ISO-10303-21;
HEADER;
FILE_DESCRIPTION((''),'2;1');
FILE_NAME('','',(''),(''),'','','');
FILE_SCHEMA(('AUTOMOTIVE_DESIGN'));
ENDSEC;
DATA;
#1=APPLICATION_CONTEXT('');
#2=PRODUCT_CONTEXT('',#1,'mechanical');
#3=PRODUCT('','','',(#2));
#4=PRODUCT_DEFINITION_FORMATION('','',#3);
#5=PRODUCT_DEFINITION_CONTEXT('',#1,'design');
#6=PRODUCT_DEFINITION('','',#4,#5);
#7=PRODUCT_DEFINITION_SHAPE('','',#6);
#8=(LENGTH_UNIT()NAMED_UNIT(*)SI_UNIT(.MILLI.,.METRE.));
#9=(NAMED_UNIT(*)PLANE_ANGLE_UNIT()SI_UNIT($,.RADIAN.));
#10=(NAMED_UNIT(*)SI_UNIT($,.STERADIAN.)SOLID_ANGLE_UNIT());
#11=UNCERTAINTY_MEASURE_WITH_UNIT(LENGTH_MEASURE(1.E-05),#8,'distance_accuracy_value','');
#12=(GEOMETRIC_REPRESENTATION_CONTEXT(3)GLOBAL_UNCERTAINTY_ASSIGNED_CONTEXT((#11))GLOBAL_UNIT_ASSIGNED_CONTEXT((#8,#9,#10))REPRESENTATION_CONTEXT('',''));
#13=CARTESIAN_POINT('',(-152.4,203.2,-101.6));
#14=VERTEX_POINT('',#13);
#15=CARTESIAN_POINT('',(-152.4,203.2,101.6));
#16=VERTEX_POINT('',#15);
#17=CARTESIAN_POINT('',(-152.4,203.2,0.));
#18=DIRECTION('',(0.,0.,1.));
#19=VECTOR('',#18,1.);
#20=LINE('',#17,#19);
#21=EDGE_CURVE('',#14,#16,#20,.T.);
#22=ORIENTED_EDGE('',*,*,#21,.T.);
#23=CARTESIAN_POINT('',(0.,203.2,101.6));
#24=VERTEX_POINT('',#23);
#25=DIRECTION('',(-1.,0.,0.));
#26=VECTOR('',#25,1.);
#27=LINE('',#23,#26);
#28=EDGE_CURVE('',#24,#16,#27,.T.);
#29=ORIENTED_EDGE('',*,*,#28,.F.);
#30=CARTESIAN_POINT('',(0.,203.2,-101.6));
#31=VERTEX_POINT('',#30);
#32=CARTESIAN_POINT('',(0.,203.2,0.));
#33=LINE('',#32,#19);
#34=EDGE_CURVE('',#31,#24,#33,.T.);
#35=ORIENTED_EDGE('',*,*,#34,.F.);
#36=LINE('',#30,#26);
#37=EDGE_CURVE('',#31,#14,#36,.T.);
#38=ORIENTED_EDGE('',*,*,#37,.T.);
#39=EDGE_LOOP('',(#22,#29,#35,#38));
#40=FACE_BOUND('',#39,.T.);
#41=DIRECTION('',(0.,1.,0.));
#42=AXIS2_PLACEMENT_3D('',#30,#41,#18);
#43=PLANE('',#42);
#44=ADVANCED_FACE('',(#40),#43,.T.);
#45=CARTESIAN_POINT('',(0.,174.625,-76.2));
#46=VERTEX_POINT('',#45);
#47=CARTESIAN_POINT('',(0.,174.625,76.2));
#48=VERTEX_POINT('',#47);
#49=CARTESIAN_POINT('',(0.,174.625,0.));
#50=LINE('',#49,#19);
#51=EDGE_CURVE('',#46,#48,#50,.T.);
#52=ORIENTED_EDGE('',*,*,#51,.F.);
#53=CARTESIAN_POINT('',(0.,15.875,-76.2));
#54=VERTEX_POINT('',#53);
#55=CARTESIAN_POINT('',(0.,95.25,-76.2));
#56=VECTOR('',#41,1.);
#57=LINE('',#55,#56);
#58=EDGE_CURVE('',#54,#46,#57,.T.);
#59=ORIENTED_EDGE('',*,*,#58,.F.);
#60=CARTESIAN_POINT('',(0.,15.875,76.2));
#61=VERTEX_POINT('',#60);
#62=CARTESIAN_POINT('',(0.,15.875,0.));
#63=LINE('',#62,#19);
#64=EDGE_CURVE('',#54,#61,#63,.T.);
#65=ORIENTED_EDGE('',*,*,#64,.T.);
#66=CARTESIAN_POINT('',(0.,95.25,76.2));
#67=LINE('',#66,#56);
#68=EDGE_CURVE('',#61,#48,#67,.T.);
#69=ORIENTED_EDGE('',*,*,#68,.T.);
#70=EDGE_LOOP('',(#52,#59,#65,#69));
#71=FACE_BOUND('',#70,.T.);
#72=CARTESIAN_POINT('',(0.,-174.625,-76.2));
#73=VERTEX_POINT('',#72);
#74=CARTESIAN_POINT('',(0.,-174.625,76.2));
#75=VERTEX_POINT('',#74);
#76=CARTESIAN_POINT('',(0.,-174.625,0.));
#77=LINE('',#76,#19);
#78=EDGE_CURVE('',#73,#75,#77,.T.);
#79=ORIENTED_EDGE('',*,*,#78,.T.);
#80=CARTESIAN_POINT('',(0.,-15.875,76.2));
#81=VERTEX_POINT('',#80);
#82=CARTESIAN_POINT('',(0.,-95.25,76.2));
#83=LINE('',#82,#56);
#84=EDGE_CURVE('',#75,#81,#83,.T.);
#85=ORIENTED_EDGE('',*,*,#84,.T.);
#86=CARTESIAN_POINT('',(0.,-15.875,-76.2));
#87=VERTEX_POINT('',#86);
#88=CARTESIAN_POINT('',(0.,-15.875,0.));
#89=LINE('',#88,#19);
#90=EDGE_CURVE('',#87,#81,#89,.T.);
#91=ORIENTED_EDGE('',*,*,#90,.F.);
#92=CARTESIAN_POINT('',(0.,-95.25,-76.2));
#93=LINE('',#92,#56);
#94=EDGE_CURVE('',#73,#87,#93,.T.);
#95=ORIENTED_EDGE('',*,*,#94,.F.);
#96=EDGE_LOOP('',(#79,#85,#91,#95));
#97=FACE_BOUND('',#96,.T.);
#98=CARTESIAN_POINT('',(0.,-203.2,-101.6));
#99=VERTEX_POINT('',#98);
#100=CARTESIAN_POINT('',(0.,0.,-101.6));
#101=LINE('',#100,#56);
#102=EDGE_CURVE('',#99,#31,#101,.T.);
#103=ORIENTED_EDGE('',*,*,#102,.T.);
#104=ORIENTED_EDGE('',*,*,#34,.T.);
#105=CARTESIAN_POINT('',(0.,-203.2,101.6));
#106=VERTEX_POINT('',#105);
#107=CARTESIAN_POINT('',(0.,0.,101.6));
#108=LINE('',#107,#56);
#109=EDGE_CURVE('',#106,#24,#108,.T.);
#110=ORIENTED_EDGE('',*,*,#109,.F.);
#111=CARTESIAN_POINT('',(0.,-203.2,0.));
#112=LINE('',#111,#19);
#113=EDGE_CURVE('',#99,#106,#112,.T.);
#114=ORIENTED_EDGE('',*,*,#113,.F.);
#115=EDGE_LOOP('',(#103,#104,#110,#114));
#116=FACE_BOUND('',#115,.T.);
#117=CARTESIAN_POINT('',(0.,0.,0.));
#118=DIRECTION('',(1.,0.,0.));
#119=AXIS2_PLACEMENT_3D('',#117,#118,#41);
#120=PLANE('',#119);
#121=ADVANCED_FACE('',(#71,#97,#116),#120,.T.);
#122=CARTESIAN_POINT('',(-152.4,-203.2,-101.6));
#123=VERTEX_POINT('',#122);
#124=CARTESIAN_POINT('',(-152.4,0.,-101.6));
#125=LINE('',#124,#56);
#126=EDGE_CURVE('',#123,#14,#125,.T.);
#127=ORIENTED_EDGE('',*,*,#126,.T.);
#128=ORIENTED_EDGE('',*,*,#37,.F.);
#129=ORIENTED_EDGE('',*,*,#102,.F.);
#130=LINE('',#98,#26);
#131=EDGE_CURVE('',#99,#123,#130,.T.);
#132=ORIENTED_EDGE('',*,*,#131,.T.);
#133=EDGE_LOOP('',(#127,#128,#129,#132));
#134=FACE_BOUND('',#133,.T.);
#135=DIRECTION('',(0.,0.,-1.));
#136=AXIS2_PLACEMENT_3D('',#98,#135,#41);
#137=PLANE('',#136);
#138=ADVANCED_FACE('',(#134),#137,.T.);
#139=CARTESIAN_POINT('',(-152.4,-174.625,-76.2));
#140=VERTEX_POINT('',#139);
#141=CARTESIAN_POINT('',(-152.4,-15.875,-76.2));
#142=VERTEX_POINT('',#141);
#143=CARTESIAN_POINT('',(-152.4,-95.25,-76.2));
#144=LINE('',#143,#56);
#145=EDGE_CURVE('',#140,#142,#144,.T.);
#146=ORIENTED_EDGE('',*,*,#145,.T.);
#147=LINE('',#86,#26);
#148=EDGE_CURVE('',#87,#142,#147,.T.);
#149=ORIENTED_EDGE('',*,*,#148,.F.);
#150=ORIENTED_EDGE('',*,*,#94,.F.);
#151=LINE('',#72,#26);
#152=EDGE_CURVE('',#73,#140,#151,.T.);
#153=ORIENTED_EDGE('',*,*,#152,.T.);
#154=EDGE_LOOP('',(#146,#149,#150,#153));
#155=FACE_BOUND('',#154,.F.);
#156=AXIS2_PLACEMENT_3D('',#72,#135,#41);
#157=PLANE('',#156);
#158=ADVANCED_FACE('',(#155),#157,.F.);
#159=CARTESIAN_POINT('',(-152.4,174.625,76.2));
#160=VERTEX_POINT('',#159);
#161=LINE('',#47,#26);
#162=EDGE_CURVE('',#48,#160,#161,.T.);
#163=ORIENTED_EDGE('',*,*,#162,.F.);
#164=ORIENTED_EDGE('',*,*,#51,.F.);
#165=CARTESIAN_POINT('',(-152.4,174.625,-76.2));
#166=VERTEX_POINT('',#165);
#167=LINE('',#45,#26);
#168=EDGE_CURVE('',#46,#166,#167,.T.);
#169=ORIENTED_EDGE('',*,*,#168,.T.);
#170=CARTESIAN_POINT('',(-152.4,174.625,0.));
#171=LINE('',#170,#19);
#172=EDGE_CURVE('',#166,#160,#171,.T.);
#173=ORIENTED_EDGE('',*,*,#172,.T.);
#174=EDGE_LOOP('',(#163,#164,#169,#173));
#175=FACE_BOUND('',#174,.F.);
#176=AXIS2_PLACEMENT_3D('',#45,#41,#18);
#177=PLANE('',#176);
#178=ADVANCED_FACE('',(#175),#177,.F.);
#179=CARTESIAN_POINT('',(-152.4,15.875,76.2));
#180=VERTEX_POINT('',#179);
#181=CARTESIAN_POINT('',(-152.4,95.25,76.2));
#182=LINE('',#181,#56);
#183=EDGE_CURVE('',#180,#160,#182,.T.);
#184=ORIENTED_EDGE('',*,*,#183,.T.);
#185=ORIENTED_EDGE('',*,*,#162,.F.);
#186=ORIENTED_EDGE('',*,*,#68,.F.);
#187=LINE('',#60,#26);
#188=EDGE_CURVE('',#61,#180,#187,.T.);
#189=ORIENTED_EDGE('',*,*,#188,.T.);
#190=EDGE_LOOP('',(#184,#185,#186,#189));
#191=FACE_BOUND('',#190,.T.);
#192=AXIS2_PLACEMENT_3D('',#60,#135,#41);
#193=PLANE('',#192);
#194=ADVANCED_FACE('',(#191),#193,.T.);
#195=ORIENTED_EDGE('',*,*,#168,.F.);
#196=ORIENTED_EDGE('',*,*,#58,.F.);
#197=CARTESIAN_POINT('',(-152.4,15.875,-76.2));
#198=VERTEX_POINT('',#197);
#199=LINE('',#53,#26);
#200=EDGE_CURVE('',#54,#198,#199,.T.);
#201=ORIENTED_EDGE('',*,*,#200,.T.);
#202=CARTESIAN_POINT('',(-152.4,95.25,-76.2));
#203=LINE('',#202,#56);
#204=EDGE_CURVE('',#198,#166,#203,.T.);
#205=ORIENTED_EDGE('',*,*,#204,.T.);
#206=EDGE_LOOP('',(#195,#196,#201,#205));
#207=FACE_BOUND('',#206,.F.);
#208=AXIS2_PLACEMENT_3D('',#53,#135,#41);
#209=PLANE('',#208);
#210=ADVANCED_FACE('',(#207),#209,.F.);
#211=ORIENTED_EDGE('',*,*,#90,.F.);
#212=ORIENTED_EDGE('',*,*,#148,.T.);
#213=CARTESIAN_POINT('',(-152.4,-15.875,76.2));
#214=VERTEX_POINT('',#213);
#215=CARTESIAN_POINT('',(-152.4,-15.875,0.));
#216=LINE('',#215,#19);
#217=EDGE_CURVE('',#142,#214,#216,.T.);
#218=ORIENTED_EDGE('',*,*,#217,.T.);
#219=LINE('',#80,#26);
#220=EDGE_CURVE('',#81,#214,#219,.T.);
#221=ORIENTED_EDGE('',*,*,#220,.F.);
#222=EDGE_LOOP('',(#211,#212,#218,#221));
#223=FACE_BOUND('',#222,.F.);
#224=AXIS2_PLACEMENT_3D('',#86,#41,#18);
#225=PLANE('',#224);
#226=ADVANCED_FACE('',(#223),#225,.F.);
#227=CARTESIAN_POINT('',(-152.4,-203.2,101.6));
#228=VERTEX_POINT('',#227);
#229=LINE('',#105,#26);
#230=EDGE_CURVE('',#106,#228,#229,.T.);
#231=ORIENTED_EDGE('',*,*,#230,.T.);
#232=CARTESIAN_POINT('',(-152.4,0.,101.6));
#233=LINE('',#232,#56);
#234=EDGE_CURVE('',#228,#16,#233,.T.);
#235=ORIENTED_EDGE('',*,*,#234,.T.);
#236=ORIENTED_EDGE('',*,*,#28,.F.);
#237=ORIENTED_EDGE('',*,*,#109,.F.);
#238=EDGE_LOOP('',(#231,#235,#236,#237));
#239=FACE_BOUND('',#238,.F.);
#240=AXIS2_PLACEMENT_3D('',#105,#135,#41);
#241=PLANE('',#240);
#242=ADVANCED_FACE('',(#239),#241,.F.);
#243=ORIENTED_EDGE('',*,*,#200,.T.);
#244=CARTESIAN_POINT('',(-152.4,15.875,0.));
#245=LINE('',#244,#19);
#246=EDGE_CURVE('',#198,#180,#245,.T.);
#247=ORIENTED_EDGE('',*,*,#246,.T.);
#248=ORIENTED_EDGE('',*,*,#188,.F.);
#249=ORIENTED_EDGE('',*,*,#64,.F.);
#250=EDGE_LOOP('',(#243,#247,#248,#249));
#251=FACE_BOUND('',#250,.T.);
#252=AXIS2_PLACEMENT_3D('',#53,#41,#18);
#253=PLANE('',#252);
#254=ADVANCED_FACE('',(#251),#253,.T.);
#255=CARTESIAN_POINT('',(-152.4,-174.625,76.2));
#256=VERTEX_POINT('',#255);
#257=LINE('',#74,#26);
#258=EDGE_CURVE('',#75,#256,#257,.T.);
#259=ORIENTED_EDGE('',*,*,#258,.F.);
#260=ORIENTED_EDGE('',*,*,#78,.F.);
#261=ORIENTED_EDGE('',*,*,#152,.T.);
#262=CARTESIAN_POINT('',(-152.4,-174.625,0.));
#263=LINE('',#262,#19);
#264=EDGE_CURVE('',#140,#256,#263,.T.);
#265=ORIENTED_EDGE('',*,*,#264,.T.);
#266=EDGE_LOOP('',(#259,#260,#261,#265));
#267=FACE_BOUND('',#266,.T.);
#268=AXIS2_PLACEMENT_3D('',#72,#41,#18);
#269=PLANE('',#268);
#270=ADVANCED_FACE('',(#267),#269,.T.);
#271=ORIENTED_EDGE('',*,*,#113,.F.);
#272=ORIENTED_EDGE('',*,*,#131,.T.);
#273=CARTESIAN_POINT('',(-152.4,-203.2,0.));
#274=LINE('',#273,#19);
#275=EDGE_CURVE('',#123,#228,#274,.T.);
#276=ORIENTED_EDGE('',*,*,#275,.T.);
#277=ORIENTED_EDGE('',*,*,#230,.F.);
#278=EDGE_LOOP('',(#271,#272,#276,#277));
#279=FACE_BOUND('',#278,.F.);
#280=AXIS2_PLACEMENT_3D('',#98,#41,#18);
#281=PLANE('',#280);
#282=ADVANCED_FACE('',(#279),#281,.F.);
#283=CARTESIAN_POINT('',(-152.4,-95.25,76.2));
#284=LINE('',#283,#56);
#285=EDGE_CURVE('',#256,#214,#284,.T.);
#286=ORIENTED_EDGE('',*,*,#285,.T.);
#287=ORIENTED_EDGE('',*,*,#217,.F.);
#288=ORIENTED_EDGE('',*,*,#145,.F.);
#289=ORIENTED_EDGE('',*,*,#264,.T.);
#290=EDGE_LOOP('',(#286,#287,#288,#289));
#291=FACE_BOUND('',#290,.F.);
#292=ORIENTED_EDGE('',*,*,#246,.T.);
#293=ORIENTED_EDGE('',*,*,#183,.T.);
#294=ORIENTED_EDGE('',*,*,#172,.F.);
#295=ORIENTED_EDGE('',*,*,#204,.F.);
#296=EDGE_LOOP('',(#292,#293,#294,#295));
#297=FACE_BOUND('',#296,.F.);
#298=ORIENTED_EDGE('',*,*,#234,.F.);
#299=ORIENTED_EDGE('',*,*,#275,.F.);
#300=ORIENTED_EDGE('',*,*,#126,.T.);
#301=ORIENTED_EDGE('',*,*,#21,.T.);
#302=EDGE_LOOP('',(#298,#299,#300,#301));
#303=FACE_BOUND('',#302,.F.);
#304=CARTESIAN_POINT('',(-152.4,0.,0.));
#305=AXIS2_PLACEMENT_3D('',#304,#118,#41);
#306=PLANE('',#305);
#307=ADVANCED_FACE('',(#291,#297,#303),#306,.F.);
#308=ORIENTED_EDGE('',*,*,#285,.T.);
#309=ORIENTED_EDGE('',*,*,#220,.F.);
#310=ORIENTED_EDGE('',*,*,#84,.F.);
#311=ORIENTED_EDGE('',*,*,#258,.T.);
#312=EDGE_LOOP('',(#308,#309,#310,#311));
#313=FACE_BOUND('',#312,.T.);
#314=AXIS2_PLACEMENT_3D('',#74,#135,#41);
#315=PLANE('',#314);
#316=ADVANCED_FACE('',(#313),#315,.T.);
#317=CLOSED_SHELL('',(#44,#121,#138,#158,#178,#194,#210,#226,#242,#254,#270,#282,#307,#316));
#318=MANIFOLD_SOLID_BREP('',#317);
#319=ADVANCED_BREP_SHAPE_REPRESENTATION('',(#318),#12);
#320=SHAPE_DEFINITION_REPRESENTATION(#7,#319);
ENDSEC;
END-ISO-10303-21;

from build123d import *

# Parameters (mm, degrees)
F0_W     = 406.4
F0_H     = 203.2
F0_W_2   = 158.75
F0_H_2   = 152.4
F1_DEPTH = 152.4
F2_DEPTH = 152.4


with BuildPart() as f1:
    # F0 (on Right) → F1 (new body)
    with BuildSketch(Plane.YZ):
        Rectangle(F0_W, F0_H)
        with Locations((-95.25, 0)):
            Rectangle(F0_W_2, F0_H_2, mode=Mode.SUBTRACT)
        with Locations((95.25, 0)):
            Rectangle(F0_W_2, F0_H_2, mode=Mode.SUBTRACT)
    extrude(amount=-F1_DEPTH)

    # F0 (on Right) → F2 (cut)
    with BuildSketch(Plane.YZ):
        with Locations((-95.25, 0)):
            Rectangle(F0_W_2, F0_H_2)
        with Locations((95.25, 0)):
            Rectangle(F0_W_2, F0_H_2)
    extrude(amount=-F2_DEPTH, mode=Mode.SUBTRACT)


solid = f1.part
